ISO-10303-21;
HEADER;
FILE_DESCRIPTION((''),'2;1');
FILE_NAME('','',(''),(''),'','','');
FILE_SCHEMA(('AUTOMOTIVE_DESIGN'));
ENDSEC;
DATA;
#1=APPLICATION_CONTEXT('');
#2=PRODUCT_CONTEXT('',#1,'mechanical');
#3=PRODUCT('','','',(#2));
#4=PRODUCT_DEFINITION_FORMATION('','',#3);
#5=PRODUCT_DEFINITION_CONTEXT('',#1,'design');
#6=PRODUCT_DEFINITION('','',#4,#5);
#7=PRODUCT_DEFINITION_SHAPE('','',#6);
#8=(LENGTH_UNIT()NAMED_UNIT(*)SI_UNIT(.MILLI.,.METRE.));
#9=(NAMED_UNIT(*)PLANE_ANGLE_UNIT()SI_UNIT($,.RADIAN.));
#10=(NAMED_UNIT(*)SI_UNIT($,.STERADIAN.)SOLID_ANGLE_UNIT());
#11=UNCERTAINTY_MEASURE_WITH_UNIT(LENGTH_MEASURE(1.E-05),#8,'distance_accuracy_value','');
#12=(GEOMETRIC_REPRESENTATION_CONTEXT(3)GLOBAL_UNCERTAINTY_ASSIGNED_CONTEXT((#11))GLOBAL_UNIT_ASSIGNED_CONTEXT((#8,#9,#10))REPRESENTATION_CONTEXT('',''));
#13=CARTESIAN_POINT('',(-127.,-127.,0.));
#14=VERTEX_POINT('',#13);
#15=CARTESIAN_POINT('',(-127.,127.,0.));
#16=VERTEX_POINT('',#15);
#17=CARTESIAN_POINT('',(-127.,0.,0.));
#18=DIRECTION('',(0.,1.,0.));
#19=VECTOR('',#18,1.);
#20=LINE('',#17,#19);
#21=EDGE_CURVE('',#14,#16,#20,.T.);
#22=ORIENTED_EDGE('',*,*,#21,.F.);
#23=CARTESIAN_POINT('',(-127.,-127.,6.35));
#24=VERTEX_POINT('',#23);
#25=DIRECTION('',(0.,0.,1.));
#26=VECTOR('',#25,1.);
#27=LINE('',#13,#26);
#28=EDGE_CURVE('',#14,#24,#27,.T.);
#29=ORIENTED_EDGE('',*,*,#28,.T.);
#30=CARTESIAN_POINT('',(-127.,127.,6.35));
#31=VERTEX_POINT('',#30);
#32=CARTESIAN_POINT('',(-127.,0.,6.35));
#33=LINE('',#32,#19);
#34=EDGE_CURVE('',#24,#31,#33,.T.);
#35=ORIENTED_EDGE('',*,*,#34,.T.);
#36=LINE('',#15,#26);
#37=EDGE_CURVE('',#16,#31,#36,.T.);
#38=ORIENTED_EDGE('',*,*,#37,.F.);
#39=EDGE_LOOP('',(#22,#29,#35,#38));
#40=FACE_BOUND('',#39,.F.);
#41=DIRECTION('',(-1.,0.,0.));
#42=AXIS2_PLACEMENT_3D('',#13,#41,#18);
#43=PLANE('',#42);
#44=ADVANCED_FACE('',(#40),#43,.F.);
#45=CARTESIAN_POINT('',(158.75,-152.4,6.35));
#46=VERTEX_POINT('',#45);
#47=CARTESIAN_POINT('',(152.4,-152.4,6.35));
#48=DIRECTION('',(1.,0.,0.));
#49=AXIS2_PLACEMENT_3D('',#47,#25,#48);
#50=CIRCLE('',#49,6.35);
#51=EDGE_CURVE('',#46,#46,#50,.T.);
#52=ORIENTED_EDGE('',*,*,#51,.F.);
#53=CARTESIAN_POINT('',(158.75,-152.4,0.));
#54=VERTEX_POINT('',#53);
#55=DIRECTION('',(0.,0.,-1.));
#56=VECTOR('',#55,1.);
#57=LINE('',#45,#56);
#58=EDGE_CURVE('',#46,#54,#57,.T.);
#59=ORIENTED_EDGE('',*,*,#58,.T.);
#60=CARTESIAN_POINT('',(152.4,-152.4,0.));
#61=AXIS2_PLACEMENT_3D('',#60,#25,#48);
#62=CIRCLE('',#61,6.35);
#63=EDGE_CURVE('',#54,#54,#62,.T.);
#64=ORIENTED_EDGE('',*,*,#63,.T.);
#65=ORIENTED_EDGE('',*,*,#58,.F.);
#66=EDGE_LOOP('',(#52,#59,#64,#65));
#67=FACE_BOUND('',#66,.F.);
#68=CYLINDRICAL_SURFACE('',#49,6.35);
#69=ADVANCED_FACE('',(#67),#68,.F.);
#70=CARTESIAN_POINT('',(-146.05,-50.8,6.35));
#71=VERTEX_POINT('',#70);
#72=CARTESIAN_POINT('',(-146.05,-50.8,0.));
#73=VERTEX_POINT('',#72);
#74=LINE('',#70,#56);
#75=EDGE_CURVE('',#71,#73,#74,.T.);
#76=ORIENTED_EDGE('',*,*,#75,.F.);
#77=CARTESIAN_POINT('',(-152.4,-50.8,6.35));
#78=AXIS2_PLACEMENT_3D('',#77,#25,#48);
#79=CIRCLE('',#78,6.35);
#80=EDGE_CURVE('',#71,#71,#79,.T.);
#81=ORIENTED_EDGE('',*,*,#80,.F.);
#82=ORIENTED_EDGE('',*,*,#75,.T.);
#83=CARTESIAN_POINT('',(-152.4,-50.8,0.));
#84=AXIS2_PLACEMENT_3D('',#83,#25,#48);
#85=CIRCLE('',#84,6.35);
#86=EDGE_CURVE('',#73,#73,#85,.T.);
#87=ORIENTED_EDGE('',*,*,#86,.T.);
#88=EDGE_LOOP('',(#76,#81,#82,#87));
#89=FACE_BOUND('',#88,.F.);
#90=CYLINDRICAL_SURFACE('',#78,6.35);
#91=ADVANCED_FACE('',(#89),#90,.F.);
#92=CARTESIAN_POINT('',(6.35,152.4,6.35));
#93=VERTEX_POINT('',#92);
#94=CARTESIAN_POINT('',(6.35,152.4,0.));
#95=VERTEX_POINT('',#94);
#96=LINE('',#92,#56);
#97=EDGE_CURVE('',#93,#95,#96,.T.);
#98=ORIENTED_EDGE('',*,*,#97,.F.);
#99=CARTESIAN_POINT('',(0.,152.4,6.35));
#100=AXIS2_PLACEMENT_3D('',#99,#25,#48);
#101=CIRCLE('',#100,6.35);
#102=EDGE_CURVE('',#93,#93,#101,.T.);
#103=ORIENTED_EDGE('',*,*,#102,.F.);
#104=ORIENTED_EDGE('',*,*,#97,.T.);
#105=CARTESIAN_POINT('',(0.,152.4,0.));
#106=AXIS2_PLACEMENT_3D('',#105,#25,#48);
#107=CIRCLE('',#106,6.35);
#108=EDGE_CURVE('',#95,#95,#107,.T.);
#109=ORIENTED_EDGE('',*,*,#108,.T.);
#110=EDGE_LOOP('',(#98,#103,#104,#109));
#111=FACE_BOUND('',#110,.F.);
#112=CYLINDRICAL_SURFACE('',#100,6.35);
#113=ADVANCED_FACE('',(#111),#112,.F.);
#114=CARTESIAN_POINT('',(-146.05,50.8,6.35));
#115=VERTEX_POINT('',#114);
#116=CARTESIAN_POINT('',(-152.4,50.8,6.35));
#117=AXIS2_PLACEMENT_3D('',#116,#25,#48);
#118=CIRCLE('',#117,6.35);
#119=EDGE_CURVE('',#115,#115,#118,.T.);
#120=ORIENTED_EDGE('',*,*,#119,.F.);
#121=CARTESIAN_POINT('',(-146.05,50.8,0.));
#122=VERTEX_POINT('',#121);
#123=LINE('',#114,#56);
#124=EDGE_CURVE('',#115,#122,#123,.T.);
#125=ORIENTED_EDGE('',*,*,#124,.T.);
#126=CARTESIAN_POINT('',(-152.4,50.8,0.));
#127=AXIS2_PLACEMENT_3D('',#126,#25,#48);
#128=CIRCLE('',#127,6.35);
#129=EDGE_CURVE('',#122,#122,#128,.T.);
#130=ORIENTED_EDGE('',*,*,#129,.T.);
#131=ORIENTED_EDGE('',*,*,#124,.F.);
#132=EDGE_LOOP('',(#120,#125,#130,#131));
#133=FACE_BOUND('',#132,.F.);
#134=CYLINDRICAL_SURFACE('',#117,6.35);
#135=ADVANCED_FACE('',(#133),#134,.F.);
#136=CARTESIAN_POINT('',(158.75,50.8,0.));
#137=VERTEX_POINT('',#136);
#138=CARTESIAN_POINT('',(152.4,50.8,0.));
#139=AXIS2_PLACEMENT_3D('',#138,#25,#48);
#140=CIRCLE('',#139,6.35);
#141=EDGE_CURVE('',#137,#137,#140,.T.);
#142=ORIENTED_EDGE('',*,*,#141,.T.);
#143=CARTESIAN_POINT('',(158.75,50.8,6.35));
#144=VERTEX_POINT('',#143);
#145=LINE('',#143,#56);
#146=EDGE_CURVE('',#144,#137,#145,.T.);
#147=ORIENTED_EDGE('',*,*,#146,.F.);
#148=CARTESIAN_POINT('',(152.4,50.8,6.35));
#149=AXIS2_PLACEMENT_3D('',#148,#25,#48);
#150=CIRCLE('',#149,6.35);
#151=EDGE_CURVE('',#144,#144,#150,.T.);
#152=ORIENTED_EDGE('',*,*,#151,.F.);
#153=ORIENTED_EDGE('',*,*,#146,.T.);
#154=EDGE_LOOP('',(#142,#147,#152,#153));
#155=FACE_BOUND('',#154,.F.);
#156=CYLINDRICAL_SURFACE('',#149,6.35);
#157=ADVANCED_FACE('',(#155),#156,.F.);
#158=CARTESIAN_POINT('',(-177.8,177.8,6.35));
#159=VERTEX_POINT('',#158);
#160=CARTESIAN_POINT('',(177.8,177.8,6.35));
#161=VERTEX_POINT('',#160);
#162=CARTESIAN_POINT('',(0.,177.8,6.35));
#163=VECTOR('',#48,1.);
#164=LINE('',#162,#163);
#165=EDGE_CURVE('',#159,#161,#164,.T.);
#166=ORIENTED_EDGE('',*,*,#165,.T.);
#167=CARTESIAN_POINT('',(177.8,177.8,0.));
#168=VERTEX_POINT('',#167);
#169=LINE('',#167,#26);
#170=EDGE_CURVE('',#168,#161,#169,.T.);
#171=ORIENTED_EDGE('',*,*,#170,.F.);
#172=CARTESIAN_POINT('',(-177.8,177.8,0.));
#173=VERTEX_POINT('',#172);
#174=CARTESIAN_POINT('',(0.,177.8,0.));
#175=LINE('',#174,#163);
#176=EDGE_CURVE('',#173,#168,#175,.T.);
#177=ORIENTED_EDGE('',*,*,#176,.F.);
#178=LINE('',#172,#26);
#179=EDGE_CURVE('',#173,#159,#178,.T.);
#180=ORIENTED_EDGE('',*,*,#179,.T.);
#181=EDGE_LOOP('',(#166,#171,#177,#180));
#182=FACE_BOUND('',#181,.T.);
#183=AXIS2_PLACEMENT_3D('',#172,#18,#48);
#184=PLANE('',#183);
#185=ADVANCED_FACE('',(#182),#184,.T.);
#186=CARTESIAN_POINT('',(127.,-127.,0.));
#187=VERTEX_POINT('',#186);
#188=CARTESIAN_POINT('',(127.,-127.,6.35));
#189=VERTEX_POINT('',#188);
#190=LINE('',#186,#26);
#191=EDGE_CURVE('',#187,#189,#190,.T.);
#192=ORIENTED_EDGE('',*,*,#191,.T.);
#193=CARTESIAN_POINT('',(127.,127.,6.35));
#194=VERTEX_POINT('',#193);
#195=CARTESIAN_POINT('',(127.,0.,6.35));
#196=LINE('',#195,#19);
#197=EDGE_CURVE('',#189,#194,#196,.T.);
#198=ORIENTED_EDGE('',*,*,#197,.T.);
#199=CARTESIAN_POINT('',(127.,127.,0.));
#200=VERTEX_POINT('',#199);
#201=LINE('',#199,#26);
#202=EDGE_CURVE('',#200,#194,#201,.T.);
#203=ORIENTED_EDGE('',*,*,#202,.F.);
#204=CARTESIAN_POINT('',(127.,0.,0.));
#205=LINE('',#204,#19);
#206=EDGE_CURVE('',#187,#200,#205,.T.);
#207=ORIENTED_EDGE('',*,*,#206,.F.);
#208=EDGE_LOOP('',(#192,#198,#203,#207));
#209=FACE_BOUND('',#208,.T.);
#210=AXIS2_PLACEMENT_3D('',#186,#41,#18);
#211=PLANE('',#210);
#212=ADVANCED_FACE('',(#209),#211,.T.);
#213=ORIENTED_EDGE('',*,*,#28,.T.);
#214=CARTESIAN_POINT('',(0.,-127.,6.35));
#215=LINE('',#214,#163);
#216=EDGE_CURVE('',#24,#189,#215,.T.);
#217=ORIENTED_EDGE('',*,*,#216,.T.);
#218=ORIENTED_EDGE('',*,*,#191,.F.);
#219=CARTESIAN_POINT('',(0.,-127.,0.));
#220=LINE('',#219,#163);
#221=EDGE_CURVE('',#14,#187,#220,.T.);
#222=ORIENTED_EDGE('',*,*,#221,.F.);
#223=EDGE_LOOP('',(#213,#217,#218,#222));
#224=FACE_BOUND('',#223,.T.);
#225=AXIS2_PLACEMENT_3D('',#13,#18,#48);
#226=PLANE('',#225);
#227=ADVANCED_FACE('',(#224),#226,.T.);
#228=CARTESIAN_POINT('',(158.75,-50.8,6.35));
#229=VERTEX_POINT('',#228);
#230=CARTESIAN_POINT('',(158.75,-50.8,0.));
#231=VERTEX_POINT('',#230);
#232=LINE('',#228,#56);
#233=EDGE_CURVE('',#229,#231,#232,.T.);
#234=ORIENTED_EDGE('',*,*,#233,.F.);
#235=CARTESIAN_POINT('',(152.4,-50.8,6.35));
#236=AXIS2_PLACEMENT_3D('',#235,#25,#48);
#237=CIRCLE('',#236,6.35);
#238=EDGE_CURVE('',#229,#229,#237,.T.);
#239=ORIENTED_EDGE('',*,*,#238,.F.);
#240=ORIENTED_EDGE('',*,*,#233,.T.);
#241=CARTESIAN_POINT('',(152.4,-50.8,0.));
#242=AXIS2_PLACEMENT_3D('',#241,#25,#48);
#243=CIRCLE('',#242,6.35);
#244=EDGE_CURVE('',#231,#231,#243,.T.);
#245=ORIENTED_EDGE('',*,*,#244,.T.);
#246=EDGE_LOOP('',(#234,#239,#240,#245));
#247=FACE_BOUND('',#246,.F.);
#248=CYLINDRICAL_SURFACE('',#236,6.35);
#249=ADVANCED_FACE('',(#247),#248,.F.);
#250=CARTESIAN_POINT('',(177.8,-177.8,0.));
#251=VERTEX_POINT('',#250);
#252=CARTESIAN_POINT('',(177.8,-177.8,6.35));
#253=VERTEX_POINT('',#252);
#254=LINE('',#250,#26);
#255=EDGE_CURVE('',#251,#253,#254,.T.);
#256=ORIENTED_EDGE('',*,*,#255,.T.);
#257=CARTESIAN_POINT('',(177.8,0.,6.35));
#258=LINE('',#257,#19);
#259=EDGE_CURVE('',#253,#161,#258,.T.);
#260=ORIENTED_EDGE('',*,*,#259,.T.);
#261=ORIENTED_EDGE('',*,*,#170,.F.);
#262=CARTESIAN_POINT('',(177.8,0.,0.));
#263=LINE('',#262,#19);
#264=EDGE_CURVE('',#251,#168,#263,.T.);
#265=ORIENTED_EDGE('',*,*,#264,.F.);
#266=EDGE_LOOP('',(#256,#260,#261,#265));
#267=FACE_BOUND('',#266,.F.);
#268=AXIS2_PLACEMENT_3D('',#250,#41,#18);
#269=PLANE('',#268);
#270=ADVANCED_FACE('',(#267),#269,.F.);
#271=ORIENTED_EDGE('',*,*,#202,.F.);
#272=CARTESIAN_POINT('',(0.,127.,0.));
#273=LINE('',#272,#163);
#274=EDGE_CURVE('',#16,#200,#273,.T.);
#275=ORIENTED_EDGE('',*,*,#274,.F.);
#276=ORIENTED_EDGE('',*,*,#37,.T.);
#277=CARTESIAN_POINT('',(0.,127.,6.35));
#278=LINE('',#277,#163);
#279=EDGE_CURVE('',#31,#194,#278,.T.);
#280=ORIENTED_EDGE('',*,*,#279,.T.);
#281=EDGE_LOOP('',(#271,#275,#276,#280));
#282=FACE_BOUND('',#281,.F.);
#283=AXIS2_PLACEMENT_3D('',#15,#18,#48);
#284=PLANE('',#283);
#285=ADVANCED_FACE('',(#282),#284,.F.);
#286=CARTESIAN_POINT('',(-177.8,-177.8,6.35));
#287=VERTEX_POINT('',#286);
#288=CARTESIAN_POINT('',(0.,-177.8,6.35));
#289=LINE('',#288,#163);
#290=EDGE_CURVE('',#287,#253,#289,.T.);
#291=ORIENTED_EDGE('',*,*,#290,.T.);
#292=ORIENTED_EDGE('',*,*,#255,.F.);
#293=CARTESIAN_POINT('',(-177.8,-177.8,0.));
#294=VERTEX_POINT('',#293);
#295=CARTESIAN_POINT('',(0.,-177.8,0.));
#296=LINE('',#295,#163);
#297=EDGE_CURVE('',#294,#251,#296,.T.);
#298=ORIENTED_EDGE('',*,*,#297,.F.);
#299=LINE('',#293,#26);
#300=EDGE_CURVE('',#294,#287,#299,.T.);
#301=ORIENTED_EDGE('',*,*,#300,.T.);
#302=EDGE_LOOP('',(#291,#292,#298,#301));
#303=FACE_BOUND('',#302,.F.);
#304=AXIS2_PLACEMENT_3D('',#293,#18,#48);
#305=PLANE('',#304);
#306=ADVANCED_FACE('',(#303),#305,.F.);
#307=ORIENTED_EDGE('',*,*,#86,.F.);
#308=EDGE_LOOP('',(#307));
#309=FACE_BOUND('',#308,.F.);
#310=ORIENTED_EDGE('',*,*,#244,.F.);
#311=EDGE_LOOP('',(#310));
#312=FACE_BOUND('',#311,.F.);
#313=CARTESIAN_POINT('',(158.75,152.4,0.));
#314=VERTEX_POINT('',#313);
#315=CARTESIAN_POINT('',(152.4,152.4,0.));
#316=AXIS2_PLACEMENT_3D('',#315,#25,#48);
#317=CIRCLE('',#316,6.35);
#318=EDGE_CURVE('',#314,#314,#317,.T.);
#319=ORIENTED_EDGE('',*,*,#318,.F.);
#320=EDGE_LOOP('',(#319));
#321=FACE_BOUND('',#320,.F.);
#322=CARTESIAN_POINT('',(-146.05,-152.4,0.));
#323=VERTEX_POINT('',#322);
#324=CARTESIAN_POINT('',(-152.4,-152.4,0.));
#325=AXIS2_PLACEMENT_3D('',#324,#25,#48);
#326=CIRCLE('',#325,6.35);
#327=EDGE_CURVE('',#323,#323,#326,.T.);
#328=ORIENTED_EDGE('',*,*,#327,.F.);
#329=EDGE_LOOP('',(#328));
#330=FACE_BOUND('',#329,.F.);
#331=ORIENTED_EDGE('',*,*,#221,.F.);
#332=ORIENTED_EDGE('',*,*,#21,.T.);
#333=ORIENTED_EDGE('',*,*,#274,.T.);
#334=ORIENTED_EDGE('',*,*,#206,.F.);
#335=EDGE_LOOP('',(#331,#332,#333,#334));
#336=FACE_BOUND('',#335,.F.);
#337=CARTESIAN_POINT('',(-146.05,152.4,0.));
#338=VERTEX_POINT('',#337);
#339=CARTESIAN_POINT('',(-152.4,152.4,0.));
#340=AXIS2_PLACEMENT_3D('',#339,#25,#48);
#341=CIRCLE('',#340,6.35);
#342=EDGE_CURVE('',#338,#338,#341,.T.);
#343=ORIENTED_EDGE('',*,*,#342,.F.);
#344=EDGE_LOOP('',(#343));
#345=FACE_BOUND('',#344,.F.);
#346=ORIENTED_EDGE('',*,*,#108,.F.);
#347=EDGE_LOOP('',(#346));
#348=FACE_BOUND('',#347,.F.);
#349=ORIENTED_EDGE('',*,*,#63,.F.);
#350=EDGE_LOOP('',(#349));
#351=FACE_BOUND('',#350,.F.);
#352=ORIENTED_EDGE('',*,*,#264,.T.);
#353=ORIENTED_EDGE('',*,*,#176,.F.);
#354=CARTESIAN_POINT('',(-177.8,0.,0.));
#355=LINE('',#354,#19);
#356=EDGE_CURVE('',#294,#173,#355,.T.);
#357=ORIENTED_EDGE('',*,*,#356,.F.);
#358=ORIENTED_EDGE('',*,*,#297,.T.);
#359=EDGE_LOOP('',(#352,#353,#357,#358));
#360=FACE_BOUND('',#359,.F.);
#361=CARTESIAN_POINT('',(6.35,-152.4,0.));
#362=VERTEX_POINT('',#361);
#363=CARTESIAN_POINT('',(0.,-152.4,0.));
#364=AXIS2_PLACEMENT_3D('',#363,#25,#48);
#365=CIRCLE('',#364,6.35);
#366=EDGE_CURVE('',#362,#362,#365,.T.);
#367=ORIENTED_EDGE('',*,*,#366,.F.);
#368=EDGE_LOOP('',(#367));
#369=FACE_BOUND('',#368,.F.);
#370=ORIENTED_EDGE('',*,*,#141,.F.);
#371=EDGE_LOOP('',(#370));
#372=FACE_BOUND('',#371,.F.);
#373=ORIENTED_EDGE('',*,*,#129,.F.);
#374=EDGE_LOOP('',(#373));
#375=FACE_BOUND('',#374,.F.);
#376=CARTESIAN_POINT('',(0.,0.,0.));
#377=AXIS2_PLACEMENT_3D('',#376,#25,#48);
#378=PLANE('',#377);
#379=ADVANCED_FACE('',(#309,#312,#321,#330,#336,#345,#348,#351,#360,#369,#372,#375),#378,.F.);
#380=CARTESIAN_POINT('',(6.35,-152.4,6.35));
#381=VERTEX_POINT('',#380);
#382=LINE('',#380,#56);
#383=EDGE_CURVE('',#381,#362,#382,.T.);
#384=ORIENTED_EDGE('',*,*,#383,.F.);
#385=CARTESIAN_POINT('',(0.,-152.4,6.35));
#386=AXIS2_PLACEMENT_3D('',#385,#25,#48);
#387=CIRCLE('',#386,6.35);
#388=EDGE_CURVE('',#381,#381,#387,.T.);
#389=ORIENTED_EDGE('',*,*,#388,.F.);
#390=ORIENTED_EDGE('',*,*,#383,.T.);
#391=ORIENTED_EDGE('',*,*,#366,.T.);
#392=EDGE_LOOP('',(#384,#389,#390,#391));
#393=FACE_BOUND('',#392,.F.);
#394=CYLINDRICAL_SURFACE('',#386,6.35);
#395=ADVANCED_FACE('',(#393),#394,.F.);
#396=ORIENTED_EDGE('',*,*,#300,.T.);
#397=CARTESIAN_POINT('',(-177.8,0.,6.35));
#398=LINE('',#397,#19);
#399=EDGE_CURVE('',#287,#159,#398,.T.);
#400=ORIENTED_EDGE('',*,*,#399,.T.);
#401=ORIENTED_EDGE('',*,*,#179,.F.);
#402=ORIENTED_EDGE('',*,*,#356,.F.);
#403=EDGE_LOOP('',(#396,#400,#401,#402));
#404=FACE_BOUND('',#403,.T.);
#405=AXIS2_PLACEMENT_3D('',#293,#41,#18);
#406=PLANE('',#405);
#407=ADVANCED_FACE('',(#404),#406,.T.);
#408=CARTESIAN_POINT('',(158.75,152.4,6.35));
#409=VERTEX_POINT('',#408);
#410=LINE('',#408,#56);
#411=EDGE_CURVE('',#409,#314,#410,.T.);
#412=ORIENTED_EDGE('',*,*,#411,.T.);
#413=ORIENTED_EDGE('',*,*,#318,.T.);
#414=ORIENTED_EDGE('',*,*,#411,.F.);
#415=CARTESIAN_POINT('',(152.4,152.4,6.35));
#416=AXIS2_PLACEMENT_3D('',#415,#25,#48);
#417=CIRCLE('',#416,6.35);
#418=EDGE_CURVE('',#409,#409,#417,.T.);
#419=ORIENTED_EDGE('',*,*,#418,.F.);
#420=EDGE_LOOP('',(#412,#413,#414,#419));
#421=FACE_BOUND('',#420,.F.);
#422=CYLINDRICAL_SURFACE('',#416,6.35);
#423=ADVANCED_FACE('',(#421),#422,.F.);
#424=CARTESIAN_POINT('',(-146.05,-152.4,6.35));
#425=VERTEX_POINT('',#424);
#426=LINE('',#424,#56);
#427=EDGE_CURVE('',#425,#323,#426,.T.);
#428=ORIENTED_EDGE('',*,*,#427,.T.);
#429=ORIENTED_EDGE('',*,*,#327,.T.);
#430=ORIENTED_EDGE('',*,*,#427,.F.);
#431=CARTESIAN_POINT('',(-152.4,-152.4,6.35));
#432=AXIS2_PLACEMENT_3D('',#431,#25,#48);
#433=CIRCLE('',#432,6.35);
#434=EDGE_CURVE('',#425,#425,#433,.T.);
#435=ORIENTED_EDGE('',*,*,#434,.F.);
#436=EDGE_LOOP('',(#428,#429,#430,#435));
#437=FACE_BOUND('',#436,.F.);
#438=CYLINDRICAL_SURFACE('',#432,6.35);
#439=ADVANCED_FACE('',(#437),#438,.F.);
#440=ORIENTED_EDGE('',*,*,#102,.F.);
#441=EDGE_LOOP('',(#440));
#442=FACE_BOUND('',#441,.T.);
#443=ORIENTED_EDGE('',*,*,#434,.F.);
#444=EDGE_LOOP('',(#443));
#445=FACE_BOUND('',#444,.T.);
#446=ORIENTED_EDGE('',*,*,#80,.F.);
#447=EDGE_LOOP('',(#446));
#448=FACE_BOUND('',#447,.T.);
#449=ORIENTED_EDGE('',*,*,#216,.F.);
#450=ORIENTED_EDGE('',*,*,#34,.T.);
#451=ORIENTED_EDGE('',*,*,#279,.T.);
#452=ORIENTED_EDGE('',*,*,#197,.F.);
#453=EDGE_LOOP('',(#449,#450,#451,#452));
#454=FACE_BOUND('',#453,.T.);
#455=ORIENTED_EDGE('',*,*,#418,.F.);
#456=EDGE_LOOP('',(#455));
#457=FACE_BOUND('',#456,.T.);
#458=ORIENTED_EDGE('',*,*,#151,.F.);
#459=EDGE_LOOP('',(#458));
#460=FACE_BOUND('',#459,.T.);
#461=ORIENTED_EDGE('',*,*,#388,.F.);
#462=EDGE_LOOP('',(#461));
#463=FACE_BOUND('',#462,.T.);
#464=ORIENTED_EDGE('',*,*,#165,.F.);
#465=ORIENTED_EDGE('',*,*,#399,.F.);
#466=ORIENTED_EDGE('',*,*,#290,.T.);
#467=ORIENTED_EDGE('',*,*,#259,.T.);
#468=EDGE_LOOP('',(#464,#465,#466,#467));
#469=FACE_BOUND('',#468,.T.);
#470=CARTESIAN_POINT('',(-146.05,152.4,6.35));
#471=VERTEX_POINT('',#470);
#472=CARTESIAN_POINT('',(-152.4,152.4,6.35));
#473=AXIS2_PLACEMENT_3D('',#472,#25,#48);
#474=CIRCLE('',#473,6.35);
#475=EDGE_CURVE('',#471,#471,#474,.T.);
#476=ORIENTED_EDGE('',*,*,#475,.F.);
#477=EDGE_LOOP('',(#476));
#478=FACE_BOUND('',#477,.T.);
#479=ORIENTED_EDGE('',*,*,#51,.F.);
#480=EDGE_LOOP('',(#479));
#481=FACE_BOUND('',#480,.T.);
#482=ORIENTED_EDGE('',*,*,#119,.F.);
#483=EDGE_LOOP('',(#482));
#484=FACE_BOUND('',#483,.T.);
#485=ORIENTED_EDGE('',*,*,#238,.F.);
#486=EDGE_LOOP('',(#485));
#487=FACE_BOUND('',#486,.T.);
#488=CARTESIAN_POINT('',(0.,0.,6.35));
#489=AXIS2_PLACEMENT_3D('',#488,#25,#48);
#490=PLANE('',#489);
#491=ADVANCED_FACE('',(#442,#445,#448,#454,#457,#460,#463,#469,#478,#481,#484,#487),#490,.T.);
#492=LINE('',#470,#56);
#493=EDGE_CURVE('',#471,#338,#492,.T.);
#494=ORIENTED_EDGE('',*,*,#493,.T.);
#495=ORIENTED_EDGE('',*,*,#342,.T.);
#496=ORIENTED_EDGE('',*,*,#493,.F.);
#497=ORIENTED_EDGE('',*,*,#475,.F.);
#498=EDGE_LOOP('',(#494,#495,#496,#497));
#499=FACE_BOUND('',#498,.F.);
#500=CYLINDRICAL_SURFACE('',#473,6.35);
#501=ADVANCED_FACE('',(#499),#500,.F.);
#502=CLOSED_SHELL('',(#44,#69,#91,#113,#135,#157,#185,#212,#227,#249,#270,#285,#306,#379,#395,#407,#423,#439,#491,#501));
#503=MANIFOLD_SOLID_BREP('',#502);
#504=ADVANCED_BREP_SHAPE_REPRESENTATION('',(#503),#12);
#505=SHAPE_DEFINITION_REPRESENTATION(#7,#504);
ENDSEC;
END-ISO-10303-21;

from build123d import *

# Parameters (mm, degrees)
F0_W     = 355.6
F0_H     = 355.6
F0_W_2   = 254
F0_H_2   = 254
F1_DEPTH = 6.35
F2_R     = 6.35
F3_DEPTH = 25.4


with BuildPart() as f1:
    # F0 (on Top) → F1 (new body)
    with BuildSketch(Plane.XY):
        Rectangle(F0_W, F0_H)
        Rectangle(F0_W_2, F0_H_2, mode=Mode.SUBTRACT)
    extrude(amount=F1_DEPTH)

    # F2 (on face) → F3 (cut)
    with BuildSketch(Plane.XY.offset(6.35)):
        with Locations((-152.4, -50.8)):
            Circle(F2_R)
        with Locations((-152.4, -152.4)):
            Circle(F2_R)
        with Locations((0, -152.4)):
            Circle(F2_R)
        with Locations((152.4, -152.4)):
            Circle(F2_R)
        with Locations((152.4, -50.8)):
            Circle(F2_R)
        with Locations((152.4, 50.8)):
            Circle(F2_R)
        with Locations((152.4, 152.4)):
            Circle(F2_R)
        with Locations((0, 152.4)):
            Circle(F2_R)
        with Locations((-152.4, 152.4)):
            Circle(F2_R)
        with Locations((-152.4, 50.8)):
            Circle(F2_R)
    extrude(amount=-F3_DEPTH, mode=Mode.SUBTRACT)


solid = f1.part
